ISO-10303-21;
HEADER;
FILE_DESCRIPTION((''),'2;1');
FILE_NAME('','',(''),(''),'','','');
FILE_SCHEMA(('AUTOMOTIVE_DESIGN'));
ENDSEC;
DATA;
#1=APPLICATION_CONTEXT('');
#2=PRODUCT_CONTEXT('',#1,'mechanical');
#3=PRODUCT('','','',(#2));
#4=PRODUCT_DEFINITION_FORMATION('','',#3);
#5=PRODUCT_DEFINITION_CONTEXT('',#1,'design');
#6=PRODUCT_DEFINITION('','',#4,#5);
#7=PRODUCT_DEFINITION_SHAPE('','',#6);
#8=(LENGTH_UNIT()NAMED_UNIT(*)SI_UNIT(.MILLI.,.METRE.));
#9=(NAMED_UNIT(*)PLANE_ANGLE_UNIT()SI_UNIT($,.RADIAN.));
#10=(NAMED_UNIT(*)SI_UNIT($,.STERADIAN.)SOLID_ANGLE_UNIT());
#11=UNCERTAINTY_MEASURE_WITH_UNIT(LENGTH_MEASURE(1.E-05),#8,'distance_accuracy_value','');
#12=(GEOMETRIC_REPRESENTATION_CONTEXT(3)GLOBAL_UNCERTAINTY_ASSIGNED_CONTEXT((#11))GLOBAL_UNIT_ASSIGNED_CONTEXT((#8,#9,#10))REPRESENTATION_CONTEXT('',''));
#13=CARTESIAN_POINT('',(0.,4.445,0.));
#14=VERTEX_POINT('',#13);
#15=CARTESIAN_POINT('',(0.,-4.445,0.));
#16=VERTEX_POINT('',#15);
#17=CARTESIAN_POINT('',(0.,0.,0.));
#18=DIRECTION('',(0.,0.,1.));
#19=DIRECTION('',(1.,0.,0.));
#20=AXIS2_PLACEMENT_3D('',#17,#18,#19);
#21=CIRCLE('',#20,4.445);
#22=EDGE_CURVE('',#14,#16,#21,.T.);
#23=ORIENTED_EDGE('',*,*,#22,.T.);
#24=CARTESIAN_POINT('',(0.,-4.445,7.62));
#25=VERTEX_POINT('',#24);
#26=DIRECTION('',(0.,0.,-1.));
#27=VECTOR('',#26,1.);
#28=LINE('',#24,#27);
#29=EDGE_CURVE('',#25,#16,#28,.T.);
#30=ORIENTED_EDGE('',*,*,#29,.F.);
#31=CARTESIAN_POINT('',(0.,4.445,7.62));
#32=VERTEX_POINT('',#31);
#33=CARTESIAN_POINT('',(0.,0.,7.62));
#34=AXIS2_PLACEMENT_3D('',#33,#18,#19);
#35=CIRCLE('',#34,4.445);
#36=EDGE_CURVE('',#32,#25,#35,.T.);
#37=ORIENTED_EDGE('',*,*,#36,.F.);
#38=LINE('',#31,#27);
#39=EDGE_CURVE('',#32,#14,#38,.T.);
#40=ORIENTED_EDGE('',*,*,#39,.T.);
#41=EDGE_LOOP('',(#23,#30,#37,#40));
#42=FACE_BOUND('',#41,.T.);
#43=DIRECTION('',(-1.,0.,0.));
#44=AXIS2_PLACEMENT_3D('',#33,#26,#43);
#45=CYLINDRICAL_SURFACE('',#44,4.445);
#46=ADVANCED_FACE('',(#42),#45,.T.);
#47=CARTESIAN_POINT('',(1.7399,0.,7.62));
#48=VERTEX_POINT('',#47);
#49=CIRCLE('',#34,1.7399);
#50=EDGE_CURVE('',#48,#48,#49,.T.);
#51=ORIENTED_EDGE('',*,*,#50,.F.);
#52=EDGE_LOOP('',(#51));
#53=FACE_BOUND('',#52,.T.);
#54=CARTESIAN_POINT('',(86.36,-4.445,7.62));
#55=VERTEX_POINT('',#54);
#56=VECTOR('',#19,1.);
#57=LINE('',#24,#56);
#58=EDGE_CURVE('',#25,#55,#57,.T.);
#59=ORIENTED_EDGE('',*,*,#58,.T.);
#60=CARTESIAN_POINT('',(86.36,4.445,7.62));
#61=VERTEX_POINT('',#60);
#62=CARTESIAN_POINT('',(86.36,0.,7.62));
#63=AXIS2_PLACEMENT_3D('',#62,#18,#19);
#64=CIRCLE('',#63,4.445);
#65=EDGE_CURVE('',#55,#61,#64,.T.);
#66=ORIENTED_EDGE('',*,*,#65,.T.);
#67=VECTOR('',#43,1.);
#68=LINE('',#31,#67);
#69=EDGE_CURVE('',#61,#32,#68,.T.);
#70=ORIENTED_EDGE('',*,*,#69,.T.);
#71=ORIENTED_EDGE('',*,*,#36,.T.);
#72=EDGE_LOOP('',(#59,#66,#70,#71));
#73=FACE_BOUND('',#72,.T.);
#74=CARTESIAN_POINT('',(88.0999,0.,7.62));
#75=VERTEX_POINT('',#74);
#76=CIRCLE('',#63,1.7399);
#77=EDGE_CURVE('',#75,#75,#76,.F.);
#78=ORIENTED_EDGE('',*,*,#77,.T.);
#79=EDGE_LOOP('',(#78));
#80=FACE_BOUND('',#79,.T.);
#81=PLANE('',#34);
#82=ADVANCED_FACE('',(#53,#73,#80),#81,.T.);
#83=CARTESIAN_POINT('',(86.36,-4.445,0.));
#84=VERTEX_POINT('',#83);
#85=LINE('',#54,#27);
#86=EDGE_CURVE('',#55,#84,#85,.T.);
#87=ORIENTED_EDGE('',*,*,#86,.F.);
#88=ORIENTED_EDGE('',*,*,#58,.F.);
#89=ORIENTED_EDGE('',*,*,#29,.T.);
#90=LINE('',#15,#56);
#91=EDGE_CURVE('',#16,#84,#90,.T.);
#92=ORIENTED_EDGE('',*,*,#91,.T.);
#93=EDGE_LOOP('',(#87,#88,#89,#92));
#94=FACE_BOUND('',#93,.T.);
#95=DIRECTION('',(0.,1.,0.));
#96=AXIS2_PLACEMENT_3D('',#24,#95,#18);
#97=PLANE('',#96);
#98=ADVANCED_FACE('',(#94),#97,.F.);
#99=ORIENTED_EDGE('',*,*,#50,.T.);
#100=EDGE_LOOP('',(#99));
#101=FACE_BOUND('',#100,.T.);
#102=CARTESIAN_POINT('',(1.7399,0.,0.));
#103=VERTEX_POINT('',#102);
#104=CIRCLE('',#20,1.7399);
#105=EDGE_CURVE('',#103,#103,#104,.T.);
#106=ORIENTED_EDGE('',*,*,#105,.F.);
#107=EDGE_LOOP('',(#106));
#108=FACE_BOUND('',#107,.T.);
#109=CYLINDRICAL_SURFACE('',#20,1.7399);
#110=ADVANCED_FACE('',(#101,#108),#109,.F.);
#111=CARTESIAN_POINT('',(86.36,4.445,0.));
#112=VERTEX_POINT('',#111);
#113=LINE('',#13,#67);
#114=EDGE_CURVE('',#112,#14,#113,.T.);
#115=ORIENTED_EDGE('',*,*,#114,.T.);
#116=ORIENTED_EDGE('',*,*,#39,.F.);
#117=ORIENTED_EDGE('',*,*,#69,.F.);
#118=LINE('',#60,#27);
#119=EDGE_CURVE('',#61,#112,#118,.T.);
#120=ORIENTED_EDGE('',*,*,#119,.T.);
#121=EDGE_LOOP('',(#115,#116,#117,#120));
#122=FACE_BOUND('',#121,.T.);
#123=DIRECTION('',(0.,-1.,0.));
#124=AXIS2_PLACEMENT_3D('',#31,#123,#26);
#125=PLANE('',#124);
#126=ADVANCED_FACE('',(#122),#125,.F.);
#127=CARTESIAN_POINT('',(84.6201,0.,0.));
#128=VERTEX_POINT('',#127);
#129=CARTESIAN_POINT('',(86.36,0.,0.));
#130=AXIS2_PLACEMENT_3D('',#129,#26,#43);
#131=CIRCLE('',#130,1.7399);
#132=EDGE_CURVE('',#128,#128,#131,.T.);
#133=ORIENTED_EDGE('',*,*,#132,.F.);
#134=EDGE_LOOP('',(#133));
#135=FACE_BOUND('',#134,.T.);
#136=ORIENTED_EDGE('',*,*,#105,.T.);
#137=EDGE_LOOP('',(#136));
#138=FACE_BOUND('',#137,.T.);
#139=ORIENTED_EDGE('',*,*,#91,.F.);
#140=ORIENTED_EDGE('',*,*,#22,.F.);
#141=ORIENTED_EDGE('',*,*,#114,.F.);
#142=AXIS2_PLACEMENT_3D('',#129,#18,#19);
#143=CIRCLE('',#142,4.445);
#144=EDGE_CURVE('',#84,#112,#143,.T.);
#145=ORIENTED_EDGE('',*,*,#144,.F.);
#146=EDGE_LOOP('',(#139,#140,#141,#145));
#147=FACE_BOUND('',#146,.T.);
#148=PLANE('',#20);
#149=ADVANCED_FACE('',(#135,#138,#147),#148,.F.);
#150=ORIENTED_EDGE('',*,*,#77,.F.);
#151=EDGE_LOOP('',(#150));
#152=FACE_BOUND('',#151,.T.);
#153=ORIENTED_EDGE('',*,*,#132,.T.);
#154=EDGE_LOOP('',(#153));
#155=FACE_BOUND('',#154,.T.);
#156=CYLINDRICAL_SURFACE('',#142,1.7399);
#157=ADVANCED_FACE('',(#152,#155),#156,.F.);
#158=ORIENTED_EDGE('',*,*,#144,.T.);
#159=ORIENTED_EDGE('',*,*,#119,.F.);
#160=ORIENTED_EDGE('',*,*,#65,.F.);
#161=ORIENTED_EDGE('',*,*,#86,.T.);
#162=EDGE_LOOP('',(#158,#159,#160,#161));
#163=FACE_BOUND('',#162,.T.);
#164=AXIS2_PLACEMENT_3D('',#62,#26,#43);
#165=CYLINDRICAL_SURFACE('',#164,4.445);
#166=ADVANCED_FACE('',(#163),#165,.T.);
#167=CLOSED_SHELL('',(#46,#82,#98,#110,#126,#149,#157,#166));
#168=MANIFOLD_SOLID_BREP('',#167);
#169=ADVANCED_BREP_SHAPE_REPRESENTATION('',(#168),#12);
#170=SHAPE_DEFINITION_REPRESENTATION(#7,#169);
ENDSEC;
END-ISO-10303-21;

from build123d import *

# Parameters (mm, degrees)
BOSS_EXTRUDE1_DEPTH = 7.62
CUT_EXTRUDE1_START  = -8.62
SKETCH2_R           = 1.7399
CUT_EXTRUDE1_DEPTH  = 9.62


with BuildPart() as part:
    # Sketch1 → Boss-Extrude1 (new body)
    with BuildSketch(Plane.XY):
        with BuildLine():
            Line((0, 4.445), (86.36, 4.445))
            ThreePointArc((86.36, 4.445), (90.805, 0), (86.36, -4.445))
            Line((86.36, -4.445), (0, -4.445))
            ThreePointArc((0, -4.445), (-4.445, 0), (0, 4.445))
        make_face()
    extrude(amount=BOSS_EXTRUDE1_DEPTH)

    # Sketch2 → Cut-Extrude1 (cut)
    with BuildSketch(Plane.XY.offset(7.62).offset(CUT_EXTRUDE1_START)):
        Circle(SKETCH2_R)
    cut_extrude1 = extrude(amount=CUT_EXTRUDE1_DEPTH, mode=Mode.SUBTRACT)

    # Mirror1: Cut-Extrude1 across plane
    add(cut_extrude1.mirror(Plane(origin=(43.18, 0, 0), x_dir=(0, 0, 1), z_dir=(1, 0, 0))), mode=Mode.SUBTRACT)


solid = part.part
